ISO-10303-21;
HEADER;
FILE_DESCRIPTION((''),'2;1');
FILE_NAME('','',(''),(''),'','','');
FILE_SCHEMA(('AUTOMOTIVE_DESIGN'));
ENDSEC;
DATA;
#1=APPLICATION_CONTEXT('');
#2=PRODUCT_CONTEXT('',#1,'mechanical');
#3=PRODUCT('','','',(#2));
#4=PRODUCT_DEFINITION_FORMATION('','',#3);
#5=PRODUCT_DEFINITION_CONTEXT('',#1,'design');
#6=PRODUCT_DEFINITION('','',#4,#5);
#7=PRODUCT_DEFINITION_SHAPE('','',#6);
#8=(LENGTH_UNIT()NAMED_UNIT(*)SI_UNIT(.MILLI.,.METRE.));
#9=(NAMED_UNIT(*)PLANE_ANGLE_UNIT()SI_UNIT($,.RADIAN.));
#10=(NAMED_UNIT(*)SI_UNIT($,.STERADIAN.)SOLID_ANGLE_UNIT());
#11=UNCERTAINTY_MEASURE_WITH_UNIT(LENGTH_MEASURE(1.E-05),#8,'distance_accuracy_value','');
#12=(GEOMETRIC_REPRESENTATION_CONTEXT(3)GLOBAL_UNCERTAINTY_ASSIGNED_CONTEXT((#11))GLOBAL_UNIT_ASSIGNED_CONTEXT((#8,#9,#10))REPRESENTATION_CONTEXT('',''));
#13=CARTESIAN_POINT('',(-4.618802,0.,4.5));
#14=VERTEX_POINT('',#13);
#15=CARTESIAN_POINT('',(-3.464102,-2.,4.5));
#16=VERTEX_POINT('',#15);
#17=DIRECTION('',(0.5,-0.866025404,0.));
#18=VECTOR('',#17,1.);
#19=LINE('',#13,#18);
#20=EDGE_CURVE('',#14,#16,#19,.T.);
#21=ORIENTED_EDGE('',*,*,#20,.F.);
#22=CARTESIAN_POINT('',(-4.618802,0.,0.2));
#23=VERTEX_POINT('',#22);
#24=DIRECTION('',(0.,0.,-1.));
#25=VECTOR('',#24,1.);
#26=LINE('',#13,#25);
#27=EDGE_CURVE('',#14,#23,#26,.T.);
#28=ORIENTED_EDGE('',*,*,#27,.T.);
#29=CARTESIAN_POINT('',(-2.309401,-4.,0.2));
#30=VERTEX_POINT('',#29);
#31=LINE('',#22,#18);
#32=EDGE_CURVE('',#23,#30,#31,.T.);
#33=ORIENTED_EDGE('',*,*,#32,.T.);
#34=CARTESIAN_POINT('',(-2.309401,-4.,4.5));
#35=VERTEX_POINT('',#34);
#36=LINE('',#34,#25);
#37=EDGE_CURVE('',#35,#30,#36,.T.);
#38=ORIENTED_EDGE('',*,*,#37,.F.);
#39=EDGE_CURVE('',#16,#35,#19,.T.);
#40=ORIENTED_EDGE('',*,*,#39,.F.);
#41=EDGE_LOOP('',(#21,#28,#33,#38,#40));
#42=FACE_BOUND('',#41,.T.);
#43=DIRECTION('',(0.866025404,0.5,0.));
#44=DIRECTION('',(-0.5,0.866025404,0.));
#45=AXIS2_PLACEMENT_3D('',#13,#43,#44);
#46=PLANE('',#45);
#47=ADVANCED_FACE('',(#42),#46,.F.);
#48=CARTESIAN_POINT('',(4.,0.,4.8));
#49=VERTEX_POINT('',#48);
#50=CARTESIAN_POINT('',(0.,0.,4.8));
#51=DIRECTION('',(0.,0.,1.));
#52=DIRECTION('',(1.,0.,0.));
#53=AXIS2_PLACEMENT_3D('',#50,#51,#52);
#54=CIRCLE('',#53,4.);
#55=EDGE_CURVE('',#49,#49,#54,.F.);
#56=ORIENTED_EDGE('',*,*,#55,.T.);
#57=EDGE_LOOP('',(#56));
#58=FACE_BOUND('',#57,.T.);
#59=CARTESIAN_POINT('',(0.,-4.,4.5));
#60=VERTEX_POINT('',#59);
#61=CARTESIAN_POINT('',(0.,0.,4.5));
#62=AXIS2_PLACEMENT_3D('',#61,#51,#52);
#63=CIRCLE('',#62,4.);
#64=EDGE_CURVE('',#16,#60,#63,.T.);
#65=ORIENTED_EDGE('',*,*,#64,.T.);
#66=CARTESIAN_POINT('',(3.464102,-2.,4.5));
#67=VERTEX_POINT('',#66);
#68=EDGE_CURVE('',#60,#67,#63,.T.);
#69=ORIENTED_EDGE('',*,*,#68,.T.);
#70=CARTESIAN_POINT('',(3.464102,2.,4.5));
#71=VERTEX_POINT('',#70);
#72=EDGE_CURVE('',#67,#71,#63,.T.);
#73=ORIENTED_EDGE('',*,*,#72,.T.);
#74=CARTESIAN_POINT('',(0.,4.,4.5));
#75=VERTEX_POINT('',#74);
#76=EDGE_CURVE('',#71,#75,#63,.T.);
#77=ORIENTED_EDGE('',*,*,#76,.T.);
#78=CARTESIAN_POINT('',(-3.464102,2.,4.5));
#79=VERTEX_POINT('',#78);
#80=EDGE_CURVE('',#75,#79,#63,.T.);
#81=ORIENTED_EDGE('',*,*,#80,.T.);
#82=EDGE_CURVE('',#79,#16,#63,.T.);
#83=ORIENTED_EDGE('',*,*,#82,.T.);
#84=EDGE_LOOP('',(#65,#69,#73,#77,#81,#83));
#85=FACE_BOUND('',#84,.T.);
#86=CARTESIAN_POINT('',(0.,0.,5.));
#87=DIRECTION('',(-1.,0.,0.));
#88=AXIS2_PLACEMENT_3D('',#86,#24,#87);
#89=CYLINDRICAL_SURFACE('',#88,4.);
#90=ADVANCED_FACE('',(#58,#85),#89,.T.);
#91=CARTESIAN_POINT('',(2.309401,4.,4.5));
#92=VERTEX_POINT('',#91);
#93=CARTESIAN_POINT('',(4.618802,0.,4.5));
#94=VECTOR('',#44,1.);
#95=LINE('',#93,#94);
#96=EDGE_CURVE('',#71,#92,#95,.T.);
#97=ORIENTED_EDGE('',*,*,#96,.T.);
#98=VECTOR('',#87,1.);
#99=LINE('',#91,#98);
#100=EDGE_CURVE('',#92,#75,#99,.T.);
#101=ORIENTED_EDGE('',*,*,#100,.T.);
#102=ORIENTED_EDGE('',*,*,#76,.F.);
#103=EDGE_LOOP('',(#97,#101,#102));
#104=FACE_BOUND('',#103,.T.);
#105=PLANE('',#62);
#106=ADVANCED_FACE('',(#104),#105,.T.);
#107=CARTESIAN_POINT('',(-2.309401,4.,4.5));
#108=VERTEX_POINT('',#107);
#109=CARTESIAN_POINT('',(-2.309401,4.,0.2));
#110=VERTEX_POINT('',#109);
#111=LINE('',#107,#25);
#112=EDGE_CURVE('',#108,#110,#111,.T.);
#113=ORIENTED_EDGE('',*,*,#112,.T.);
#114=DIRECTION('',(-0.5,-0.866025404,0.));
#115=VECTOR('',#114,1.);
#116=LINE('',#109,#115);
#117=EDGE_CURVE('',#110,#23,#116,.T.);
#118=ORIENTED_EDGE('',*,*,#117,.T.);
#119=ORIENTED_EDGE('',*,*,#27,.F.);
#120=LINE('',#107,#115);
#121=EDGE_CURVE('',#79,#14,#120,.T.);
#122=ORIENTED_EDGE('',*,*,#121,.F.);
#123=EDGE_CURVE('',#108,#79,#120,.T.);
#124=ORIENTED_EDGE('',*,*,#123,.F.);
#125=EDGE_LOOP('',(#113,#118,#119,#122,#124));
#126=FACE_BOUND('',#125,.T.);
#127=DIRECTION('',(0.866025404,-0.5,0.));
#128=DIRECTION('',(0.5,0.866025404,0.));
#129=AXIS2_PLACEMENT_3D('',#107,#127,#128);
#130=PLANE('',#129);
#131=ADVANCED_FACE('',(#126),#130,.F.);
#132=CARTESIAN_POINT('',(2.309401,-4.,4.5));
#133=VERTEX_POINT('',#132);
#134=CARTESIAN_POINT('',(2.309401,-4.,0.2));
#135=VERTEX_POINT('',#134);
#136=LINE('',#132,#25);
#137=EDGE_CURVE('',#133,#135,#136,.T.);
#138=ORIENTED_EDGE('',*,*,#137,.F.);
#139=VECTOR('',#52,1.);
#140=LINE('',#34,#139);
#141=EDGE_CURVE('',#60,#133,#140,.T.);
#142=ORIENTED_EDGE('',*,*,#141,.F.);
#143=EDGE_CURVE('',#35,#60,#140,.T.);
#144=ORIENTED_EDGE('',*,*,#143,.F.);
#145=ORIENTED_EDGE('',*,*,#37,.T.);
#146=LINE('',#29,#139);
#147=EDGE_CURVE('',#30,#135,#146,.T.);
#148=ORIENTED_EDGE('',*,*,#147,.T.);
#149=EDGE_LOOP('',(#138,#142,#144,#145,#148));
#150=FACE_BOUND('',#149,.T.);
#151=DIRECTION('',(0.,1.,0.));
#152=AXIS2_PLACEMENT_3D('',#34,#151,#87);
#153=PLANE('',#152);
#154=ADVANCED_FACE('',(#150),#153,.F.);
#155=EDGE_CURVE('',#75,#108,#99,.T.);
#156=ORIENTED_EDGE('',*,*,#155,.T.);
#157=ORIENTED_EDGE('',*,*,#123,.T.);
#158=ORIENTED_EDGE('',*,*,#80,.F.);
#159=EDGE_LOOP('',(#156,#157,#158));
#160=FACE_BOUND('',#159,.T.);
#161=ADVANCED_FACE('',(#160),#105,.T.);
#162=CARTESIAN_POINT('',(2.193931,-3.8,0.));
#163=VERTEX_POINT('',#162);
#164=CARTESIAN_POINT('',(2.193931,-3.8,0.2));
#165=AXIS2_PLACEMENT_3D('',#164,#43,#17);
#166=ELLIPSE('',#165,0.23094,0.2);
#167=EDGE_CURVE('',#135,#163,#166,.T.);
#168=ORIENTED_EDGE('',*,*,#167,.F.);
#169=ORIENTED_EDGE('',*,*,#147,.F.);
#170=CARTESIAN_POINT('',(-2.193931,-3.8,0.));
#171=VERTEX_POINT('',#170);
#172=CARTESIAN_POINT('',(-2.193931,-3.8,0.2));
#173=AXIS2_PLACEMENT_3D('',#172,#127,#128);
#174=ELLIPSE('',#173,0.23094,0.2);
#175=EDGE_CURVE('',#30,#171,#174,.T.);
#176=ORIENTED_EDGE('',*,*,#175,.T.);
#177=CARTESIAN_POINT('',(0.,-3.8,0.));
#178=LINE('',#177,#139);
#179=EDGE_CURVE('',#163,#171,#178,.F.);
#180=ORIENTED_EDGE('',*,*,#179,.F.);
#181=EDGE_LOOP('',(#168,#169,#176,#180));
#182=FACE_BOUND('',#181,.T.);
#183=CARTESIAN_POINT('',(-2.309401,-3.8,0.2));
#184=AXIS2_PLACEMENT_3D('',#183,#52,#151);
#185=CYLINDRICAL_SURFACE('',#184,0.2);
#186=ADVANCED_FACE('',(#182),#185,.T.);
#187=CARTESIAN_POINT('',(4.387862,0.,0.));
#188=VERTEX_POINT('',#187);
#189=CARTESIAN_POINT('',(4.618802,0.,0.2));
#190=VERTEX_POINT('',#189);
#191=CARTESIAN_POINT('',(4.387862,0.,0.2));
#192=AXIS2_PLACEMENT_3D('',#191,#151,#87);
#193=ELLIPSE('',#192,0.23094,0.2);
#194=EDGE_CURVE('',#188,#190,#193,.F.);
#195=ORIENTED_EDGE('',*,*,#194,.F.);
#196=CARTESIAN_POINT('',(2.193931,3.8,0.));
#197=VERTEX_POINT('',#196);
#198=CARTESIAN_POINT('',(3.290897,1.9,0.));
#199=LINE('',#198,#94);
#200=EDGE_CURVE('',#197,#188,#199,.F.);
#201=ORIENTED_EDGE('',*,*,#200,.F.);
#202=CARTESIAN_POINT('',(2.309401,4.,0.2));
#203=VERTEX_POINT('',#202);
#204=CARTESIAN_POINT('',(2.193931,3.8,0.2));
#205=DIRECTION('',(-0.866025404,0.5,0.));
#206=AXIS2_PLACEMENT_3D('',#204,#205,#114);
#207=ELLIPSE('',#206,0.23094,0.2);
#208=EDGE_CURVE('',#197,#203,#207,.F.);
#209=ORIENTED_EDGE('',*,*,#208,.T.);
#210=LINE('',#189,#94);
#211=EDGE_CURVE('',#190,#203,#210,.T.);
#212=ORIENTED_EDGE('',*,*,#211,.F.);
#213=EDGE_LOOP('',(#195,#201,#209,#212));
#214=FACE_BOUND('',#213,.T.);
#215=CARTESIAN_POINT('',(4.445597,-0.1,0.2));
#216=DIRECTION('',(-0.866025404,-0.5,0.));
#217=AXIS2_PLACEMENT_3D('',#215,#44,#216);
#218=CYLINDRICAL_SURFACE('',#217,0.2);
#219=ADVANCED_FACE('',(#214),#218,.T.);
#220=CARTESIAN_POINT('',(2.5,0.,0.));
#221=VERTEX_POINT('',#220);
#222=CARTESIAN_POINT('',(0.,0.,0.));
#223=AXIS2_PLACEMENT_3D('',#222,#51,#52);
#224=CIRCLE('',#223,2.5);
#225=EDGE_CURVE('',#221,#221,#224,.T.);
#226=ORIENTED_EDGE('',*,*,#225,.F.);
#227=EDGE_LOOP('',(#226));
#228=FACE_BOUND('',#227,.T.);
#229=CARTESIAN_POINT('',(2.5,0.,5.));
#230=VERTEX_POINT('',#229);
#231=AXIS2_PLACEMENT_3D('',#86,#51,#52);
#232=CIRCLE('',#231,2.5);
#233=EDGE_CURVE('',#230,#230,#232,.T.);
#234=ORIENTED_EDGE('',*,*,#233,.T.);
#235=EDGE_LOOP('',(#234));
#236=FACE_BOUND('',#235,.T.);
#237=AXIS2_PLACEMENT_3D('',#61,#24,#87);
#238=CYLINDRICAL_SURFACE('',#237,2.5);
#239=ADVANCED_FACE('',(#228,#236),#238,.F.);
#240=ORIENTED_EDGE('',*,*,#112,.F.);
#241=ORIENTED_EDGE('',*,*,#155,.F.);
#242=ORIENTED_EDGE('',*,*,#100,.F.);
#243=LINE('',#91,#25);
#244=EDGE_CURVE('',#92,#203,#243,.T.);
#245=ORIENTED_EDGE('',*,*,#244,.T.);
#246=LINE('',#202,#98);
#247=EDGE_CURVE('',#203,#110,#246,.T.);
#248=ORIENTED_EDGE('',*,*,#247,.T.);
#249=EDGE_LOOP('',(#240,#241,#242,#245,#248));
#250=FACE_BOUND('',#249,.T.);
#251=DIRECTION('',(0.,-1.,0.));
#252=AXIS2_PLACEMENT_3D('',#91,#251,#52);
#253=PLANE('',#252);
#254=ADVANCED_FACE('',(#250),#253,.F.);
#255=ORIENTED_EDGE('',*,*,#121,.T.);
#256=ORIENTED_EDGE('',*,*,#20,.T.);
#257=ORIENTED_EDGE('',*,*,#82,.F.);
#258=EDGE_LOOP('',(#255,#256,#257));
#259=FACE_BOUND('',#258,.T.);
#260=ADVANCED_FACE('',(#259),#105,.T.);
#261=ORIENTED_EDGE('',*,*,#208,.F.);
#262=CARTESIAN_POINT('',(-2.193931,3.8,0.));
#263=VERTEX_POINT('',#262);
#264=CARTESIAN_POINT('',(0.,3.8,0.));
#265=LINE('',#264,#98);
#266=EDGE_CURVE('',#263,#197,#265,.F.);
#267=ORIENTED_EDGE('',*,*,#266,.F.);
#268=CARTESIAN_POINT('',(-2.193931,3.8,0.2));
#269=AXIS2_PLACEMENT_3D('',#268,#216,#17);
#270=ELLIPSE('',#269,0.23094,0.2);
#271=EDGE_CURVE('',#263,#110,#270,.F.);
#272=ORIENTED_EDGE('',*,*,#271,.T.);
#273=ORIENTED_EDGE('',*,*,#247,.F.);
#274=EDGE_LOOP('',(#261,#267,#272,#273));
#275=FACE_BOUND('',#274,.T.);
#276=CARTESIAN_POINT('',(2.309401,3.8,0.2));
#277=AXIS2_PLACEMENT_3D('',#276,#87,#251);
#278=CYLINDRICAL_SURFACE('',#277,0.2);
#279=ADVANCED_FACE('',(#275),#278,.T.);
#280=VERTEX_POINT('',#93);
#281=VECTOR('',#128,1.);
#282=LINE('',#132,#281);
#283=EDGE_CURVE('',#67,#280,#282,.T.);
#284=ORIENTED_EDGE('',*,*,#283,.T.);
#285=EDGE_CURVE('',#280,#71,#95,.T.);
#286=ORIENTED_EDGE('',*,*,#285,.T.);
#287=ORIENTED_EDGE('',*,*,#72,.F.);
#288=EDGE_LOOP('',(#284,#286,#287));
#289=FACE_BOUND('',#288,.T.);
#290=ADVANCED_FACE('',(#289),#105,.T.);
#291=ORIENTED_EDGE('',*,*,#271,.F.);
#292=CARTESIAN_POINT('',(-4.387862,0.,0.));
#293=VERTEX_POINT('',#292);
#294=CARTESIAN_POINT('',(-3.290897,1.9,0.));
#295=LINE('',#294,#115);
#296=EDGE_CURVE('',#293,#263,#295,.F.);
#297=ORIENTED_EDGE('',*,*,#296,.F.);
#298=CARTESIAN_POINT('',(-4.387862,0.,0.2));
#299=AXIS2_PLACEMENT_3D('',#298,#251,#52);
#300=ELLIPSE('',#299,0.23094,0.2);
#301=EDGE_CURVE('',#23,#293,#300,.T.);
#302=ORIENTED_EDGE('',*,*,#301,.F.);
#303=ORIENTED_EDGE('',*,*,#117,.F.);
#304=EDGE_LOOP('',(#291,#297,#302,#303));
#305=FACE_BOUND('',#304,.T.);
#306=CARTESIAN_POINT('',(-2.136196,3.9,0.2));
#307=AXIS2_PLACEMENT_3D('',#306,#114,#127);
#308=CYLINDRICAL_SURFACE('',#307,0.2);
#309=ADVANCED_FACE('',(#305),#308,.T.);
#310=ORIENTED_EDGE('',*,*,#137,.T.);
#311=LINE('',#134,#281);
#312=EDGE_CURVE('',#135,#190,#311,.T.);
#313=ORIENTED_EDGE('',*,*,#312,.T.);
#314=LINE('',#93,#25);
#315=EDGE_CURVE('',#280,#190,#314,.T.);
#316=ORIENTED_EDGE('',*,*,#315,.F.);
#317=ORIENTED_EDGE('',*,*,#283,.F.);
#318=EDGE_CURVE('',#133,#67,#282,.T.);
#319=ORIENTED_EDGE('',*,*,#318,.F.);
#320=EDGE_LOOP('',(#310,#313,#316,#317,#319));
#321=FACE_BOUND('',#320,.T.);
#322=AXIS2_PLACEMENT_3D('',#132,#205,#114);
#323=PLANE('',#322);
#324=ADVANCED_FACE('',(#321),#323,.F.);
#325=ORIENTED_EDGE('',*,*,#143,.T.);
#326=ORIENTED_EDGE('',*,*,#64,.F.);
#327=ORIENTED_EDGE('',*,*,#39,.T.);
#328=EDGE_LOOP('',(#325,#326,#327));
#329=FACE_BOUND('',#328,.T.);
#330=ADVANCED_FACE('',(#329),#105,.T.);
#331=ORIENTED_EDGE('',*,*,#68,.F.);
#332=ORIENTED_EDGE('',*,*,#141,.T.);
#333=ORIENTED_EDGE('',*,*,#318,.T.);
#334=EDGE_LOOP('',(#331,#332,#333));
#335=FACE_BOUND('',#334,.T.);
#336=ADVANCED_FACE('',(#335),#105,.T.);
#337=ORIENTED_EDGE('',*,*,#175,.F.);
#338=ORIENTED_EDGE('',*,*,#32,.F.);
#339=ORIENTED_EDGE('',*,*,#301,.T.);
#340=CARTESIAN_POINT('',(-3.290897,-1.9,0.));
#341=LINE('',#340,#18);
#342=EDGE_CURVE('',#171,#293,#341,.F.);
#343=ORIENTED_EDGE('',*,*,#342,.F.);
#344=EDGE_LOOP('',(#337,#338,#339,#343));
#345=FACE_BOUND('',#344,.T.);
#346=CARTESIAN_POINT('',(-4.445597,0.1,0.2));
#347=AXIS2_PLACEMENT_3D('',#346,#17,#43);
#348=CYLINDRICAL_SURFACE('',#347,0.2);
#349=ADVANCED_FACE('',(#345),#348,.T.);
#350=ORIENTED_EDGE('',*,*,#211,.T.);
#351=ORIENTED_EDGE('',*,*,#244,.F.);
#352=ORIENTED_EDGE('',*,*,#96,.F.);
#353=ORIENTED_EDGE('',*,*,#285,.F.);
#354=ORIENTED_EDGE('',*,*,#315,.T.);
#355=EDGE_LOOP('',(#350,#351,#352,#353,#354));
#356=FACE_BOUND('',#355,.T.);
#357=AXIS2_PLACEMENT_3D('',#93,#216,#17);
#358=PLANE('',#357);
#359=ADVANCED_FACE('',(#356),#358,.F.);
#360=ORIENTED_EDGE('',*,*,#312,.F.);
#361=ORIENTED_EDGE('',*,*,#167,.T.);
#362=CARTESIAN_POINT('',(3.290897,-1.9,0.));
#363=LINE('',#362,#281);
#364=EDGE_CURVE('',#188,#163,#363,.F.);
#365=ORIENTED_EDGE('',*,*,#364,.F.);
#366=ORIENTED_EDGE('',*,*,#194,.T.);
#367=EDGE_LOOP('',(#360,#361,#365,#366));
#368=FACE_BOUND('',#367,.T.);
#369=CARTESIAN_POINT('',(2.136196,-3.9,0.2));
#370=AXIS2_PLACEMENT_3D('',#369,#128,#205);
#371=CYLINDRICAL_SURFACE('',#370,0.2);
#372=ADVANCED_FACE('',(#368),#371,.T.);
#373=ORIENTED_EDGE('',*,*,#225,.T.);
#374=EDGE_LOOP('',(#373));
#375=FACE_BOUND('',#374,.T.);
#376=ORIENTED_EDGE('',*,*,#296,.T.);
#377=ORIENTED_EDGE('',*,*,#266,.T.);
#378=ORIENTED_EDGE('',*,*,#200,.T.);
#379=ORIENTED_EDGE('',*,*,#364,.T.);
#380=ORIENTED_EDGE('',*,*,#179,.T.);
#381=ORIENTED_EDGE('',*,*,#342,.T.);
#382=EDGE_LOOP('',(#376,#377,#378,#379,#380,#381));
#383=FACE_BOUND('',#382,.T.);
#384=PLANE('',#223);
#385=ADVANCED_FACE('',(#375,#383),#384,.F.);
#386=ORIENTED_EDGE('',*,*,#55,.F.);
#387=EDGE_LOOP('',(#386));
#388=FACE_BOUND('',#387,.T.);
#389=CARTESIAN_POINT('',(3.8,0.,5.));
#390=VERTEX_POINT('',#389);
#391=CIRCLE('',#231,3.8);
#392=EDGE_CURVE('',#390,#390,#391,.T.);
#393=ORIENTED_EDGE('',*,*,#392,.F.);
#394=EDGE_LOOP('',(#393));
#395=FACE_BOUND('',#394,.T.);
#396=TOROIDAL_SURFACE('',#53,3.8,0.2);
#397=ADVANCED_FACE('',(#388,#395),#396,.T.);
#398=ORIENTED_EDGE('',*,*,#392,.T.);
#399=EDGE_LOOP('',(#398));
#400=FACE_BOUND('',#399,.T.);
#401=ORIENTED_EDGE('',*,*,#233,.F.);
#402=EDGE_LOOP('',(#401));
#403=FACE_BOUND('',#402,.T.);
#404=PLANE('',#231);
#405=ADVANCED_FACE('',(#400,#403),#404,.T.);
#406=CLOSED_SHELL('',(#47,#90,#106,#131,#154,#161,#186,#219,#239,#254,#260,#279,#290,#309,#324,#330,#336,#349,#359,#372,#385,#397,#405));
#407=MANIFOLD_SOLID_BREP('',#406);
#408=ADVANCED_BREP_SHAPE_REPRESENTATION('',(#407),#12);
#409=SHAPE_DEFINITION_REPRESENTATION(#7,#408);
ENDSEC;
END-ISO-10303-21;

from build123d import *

# Parameters (mm, degrees)
SKETCH_1_R      = 2.5
EXTRUDE_1_DEPTH = 4.5
SKETCH_2_R      = 4
SKETCH_2_R_2    = 2.5
EXTRUDE_2_DEPTH = 0.5
FILLET_1_R      = 0.2
FILLET_2_R      = 0.2


with BuildPart() as part:
    # 草图1 → 凸台-拉伸1 (new body)
    with BuildSketch(Plane.XY):
        Polygon((4.618802154, 0), (2.309401077, 4), (-2.309401077, 4), (-4.618802154, 0), (-2.309401077, -4), (2.309401077, -4), align=None)
        Circle(SKETCH_1_R, mode=Mode.SUBTRACT)
    extrude(amount=EXTRUDE_1_DEPTH)

    # 草图2 → 凸台-拉伸2 (add)
    with BuildSketch(Plane.XY.offset(4.5)):
        Circle(SKETCH_2_R)
        Circle(SKETCH_2_R_2, mode=Mode.SUBTRACT)
    extrude(amount=EXTRUDE_2_DEPTH)

    # 圆角1
    fillet_1_edges = [part.edges().sort_by_distance(p)[0] for p in [
        (-4, 0, 5),
    ]]
    fillet(fillet_1_edges, radius=FILLET_1_R)

    # 圆角2
    fillet_2_edges = [part.edges().sort_by_distance(p)[0] for p in [
        (0, -4, 0),
        (-3.464101615, -2, 0),
        (-3.464101615, 2, 0),
        (0, 4, 0),
        (3.464101615, 2, 0),
        (3.464101615, -2, 0),
    ]]
    fillet(fillet_2_edges, radius=FILLET_2_R)


solid = part.part
